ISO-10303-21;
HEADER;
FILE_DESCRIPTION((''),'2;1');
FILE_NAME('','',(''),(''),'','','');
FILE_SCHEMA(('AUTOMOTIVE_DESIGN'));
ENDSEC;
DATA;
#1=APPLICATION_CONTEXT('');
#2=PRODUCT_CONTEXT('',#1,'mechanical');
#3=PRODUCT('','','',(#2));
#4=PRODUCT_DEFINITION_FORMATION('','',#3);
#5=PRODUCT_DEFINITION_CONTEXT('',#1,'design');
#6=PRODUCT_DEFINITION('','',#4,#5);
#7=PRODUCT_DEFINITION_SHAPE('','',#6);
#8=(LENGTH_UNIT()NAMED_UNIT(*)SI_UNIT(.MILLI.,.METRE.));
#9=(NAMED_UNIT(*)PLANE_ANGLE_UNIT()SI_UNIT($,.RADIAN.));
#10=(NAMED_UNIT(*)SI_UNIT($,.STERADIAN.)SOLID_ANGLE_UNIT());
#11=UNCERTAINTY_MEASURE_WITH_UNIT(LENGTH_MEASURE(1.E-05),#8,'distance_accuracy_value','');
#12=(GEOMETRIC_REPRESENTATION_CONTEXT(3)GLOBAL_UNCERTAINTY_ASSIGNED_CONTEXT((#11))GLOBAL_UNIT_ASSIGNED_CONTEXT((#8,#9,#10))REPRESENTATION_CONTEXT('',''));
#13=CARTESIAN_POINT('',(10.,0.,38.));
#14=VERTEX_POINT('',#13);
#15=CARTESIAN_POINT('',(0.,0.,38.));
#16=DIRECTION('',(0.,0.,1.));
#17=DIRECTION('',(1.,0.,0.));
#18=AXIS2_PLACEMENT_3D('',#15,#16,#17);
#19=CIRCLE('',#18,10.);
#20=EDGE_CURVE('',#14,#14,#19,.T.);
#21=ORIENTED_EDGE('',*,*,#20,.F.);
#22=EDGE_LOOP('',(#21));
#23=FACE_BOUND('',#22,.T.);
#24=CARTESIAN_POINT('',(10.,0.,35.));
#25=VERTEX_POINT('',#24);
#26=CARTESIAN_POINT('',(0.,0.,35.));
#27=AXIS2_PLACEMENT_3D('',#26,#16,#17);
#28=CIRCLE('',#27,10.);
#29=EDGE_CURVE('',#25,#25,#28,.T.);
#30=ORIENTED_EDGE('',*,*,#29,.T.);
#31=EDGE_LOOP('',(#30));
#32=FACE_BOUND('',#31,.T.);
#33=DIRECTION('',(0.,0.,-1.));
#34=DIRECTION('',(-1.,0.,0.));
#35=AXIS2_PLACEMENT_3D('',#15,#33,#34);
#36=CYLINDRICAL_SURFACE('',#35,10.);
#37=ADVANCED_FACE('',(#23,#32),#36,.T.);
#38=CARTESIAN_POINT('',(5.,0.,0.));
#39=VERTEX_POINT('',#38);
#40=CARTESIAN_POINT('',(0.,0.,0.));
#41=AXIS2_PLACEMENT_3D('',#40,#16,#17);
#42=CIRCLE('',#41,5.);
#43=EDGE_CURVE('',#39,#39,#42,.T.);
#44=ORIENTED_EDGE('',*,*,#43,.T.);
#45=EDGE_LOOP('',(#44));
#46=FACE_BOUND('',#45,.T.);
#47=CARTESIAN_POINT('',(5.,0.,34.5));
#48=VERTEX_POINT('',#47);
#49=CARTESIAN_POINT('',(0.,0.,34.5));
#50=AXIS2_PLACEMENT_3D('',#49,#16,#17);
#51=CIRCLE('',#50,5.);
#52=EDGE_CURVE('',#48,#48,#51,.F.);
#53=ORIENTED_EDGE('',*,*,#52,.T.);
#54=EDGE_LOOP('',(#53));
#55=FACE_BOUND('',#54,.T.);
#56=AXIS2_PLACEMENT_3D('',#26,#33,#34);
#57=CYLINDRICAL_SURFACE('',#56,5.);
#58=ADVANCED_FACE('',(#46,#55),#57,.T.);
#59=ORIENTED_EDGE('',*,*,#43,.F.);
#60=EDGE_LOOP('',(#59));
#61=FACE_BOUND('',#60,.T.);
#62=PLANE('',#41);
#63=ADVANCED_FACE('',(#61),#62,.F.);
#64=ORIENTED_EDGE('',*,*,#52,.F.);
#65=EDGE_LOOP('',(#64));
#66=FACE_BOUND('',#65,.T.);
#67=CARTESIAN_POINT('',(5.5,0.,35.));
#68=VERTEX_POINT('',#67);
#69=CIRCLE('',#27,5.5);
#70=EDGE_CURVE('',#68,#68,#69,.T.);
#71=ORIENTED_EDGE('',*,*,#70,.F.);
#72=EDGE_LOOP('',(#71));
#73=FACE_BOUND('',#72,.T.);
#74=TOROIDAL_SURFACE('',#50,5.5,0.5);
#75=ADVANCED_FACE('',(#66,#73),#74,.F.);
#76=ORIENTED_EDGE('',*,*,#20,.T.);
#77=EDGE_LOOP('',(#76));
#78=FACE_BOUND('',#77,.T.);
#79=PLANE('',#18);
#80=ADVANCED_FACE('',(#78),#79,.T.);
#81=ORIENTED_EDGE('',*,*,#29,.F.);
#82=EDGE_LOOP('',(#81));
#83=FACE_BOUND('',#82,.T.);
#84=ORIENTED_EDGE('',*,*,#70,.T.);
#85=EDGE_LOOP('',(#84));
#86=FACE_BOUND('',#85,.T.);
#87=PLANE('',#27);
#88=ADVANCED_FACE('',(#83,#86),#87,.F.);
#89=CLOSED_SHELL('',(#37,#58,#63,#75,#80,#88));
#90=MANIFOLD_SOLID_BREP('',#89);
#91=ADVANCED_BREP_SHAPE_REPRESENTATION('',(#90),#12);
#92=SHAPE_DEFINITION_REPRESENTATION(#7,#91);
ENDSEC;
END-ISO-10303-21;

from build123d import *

# Parameters (mm, degrees)
ESQUISSE1_R        = 5
BOSS_EXTRU_1_DEPTH = 35
ESQUISSE3_R        = 10
BOSS_EXTRU_2_DEPTH = 3
CONG_1_R           = 0.5


with BuildPart() as part:
    # Esquisse1 → Boss.-Extru.1 (new body)
    with BuildSketch(Plane.XY):
        Circle(ESQUISSE1_R)
    extrude(amount=BOSS_EXTRU_1_DEPTH)

    # Esquisse3 → Boss.-Extru.2 (add)
    with BuildSketch(Plane.XY.offset(35)):
        Circle(ESQUISSE3_R)
    extrude(amount=BOSS_EXTRU_2_DEPTH)

    # Congé1
    cong_1_edges = [part.edges().sort_by_distance(p)[0] for p in [
        (-5, 0, 35),
    ]]
    fillet(cong_1_edges, radius=CONG_1_R)


solid = part.part
